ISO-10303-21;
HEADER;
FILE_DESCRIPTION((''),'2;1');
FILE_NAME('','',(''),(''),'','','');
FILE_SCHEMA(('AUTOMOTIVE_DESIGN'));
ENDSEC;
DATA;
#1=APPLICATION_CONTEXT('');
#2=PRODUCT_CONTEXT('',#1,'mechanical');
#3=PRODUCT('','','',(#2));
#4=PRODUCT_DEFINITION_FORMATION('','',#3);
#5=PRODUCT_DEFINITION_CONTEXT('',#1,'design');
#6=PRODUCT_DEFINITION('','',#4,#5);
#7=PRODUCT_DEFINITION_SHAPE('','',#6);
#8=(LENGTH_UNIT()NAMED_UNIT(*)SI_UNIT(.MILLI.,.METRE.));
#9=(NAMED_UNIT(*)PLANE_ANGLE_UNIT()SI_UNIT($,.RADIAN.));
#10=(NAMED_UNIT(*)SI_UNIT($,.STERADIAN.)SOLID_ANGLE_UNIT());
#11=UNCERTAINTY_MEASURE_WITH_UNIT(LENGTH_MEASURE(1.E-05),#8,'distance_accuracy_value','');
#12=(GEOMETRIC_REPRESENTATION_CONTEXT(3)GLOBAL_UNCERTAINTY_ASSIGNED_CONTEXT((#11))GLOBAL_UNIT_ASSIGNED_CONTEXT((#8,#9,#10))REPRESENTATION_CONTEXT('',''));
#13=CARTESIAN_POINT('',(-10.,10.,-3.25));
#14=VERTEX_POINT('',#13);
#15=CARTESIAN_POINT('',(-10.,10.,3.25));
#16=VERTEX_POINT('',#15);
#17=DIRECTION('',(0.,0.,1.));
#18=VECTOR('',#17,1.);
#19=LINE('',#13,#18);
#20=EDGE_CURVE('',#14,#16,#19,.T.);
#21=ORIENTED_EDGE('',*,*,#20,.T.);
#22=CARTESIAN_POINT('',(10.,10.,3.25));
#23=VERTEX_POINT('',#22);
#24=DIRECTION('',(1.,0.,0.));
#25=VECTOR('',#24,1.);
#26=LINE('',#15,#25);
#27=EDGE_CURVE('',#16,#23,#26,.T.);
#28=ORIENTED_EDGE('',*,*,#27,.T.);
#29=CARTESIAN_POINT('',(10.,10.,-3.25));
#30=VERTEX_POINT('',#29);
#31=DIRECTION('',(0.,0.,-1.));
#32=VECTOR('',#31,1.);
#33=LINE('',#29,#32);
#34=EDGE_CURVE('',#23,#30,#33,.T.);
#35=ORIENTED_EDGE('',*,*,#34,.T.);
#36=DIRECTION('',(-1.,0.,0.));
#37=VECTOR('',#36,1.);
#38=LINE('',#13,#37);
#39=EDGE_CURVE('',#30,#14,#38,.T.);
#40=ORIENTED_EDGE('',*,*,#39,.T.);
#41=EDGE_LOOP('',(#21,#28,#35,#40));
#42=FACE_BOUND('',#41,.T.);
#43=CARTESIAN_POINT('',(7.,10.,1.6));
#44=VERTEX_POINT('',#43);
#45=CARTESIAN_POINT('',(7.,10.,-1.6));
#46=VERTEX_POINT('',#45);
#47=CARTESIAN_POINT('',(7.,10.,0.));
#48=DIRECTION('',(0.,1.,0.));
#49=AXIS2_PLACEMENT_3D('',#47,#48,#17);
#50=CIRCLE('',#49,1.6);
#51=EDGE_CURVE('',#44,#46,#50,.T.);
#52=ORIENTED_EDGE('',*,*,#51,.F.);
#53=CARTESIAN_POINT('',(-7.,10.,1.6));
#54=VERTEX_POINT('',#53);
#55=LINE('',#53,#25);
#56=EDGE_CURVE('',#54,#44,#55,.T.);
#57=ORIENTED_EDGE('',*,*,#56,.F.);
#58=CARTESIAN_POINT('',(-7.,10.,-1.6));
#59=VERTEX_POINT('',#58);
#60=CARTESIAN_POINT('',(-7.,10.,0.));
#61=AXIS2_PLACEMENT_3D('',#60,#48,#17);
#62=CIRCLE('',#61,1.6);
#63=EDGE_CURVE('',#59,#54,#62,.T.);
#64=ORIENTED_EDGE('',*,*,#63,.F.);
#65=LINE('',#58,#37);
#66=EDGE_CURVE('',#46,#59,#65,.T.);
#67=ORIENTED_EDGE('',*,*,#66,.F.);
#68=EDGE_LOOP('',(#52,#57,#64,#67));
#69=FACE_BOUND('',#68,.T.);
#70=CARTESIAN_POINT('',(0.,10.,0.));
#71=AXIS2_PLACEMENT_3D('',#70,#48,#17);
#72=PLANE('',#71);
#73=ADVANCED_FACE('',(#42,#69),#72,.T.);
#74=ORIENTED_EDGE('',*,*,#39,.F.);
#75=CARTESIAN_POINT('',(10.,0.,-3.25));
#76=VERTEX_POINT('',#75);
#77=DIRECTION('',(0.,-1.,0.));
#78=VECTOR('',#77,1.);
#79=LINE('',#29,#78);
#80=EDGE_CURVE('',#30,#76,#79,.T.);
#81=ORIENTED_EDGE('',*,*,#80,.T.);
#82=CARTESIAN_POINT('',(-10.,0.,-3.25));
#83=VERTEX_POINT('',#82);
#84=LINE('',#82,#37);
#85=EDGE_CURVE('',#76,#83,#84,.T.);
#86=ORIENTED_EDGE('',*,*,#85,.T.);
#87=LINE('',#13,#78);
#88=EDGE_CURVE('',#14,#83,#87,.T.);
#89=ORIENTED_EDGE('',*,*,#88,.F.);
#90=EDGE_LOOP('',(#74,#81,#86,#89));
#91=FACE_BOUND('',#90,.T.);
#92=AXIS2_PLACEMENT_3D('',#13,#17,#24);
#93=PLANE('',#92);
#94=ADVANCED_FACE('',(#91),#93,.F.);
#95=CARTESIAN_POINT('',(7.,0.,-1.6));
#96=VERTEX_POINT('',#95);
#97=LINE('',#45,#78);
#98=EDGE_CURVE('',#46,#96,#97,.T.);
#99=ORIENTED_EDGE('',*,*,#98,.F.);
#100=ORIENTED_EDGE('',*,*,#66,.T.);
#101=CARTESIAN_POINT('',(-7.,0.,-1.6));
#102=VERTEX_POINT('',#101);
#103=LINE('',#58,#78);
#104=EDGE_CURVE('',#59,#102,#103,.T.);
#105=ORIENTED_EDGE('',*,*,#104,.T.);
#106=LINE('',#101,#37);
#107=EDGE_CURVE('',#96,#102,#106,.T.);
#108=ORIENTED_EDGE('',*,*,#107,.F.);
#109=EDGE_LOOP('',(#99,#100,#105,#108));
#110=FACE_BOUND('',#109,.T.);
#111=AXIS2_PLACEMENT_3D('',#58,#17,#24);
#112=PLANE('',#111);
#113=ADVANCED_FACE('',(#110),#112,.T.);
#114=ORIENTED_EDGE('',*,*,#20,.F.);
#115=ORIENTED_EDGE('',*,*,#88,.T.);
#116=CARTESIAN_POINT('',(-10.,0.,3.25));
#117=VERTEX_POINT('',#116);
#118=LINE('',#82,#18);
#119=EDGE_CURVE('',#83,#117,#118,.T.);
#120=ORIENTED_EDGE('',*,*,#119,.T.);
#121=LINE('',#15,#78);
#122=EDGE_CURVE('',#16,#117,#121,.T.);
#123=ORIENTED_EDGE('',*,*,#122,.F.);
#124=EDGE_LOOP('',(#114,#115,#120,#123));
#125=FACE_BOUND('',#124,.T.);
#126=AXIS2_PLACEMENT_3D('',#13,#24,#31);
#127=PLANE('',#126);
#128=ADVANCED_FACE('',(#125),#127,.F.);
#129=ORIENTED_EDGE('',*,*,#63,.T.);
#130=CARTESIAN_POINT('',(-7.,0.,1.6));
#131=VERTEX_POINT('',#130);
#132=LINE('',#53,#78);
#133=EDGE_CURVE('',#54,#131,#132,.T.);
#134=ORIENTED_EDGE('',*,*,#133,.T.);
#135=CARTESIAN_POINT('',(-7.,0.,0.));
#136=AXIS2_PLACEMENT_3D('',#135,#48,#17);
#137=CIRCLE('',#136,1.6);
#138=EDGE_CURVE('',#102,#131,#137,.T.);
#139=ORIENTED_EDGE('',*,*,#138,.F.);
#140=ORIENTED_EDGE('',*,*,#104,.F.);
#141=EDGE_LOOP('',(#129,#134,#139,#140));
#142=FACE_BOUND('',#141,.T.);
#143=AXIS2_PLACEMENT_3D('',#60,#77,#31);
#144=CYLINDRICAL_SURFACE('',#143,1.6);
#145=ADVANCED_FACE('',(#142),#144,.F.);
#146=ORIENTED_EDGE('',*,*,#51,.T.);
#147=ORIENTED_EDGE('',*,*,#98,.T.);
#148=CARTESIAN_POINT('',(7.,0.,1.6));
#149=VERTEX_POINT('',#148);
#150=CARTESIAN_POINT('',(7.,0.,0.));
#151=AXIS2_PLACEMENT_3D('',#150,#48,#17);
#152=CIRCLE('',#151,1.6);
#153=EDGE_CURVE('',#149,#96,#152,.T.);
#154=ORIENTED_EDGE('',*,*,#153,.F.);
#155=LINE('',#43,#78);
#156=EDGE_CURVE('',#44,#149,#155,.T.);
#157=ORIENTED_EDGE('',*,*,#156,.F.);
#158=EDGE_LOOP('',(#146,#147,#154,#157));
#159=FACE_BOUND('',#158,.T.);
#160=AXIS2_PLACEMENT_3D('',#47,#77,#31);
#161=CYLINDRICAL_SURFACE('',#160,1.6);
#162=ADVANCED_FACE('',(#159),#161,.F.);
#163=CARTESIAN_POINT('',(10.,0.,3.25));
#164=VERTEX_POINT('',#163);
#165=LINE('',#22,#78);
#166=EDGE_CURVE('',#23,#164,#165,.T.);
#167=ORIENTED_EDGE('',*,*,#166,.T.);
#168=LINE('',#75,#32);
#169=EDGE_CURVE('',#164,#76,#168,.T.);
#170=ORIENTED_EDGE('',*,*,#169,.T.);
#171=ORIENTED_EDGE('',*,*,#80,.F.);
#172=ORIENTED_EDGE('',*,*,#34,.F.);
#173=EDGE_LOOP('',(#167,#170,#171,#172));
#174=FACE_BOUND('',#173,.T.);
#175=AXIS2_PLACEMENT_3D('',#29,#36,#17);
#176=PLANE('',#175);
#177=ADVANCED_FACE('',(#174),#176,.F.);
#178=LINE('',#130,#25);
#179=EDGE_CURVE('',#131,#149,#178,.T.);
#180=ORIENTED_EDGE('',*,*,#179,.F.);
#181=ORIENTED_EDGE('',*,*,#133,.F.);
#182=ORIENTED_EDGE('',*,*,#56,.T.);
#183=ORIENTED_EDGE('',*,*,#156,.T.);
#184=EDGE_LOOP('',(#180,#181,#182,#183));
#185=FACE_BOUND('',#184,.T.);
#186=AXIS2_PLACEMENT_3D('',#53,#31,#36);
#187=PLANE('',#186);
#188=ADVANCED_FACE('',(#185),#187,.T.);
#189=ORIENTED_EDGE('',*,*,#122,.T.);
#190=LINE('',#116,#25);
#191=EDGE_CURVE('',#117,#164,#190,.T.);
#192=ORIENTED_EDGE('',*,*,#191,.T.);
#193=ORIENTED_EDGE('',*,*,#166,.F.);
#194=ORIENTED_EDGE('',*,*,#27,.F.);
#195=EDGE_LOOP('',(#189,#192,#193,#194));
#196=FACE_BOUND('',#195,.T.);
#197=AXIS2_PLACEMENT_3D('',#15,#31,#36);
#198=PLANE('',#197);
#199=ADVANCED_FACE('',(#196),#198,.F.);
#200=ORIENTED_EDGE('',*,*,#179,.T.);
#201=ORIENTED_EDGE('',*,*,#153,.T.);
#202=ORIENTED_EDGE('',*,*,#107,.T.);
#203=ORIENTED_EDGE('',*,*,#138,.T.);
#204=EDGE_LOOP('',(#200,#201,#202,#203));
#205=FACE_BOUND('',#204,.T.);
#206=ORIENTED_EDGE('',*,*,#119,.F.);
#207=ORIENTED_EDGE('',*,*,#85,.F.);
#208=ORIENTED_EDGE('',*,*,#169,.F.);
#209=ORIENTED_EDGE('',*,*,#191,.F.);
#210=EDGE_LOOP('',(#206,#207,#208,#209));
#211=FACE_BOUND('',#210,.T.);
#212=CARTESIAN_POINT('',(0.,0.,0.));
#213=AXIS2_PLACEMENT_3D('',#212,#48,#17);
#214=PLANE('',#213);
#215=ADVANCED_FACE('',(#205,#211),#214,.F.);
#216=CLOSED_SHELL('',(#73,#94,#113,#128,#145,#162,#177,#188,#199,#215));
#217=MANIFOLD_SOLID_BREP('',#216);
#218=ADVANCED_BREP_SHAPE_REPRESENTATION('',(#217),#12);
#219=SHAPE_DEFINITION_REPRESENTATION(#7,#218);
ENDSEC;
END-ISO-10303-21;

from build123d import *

# Parameters (mm, degrees)
SKETCH1_W           = 20
SKETCH1_H           = 6.5
BOSS_EXTRUDE1_DEPTH = 10


with BuildPart() as part:
    # Sketch1 → Boss-Extrude1 (new body)
    with BuildSketch(Plane(origin=(0, 0, 0), x_dir=(1, 0, 0), z_dir=(0, 1, 0))):
        Rectangle(SKETCH1_W, SKETCH1_H)
        with BuildLine():
            Line((-7, 1.6), (7, 1.6))
            ThreePointArc((7, 1.6), (8.6, 0), (7, -1.6))
            Line((7, -1.6), (-7, -1.6))
            ThreePointArc((-7, -1.6), (-8.6, 0), (-7, 1.6))
        make_face(mode=Mode.SUBTRACT)
    extrude(amount=BOSS_EXTRUDE1_DEPTH)


solid = part.part
